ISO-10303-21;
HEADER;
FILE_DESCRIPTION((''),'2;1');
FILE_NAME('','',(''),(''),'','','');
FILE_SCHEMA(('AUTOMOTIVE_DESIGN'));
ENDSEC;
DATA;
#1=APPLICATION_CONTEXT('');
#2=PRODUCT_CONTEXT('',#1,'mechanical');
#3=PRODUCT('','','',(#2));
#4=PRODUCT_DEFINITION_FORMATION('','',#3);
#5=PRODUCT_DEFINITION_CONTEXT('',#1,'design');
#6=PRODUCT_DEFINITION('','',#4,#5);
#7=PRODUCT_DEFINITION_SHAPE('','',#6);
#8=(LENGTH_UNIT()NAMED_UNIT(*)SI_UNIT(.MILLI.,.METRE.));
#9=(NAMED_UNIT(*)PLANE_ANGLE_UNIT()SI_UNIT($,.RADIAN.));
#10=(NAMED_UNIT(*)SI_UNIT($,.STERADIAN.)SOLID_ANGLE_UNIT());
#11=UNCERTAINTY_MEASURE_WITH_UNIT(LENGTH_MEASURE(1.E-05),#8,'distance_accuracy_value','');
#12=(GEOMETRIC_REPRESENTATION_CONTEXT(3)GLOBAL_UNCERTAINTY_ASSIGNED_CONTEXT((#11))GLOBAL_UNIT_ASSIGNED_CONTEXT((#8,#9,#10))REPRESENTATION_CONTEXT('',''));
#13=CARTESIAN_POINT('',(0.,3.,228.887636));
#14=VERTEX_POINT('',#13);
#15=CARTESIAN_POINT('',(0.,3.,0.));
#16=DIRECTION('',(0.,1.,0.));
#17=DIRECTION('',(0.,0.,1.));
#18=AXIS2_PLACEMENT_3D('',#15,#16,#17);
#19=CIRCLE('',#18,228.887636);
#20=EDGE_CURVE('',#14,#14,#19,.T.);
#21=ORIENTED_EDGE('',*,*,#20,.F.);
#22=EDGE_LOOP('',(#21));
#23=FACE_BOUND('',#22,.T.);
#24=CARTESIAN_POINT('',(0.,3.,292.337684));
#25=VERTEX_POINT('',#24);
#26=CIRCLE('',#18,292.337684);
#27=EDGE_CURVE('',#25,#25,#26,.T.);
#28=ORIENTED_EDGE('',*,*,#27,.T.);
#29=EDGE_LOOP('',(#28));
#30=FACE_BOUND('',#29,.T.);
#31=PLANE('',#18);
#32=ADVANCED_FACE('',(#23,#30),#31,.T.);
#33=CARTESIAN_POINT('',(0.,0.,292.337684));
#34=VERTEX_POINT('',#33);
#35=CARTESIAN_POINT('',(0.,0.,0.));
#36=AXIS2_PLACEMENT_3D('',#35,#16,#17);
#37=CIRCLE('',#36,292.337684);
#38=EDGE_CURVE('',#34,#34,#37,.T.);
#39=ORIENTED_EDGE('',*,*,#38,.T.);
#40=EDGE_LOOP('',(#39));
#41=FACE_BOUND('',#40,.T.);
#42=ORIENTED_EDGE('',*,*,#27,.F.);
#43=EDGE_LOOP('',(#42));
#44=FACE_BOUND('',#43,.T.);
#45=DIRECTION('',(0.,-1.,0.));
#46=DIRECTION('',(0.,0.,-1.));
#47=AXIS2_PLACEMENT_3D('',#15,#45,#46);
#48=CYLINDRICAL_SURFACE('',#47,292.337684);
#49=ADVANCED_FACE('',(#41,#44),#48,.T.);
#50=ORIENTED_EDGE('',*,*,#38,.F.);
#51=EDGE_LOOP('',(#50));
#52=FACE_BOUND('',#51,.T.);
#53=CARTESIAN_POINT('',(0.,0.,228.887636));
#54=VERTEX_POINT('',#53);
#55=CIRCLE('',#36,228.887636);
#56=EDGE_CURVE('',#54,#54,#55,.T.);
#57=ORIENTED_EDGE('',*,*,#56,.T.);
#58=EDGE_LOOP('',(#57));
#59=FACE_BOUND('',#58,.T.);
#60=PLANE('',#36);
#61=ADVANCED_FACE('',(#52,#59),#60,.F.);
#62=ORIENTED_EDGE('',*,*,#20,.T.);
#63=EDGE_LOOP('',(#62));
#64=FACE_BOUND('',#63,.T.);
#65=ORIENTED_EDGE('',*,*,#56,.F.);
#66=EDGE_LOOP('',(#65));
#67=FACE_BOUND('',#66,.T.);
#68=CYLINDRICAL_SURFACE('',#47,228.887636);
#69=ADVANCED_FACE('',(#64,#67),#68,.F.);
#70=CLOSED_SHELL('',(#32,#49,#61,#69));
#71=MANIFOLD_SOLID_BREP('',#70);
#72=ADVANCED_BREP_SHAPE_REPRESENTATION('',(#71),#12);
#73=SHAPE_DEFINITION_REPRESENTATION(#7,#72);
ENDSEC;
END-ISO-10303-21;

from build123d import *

# Parameters (mm, degrees)
SKETCH1_R           = 292.337683561
SKETCH1_R_2         = 228.887635764
BOSS_EXTRUDE1_DEPTH = 3


with BuildPart() as part:
    # Sketch1 → Boss-Extrude1 (new body)
    with BuildSketch(Plane(origin=(0, 0, 0), x_dir=(1, 0, 0), z_dir=(0, 1, 0))):
        with Locations(Location((0, 0, 0), (0, 0, 270))):
            Circle(SKETCH1_R)
        with Locations(Location((0, 0, 0), (0, 0, 270))):
            Circle(SKETCH1_R_2, mode=Mode.SUBTRACT)
    extrude(amount=BOSS_EXTRUDE1_DEPTH)


solid = part.part
